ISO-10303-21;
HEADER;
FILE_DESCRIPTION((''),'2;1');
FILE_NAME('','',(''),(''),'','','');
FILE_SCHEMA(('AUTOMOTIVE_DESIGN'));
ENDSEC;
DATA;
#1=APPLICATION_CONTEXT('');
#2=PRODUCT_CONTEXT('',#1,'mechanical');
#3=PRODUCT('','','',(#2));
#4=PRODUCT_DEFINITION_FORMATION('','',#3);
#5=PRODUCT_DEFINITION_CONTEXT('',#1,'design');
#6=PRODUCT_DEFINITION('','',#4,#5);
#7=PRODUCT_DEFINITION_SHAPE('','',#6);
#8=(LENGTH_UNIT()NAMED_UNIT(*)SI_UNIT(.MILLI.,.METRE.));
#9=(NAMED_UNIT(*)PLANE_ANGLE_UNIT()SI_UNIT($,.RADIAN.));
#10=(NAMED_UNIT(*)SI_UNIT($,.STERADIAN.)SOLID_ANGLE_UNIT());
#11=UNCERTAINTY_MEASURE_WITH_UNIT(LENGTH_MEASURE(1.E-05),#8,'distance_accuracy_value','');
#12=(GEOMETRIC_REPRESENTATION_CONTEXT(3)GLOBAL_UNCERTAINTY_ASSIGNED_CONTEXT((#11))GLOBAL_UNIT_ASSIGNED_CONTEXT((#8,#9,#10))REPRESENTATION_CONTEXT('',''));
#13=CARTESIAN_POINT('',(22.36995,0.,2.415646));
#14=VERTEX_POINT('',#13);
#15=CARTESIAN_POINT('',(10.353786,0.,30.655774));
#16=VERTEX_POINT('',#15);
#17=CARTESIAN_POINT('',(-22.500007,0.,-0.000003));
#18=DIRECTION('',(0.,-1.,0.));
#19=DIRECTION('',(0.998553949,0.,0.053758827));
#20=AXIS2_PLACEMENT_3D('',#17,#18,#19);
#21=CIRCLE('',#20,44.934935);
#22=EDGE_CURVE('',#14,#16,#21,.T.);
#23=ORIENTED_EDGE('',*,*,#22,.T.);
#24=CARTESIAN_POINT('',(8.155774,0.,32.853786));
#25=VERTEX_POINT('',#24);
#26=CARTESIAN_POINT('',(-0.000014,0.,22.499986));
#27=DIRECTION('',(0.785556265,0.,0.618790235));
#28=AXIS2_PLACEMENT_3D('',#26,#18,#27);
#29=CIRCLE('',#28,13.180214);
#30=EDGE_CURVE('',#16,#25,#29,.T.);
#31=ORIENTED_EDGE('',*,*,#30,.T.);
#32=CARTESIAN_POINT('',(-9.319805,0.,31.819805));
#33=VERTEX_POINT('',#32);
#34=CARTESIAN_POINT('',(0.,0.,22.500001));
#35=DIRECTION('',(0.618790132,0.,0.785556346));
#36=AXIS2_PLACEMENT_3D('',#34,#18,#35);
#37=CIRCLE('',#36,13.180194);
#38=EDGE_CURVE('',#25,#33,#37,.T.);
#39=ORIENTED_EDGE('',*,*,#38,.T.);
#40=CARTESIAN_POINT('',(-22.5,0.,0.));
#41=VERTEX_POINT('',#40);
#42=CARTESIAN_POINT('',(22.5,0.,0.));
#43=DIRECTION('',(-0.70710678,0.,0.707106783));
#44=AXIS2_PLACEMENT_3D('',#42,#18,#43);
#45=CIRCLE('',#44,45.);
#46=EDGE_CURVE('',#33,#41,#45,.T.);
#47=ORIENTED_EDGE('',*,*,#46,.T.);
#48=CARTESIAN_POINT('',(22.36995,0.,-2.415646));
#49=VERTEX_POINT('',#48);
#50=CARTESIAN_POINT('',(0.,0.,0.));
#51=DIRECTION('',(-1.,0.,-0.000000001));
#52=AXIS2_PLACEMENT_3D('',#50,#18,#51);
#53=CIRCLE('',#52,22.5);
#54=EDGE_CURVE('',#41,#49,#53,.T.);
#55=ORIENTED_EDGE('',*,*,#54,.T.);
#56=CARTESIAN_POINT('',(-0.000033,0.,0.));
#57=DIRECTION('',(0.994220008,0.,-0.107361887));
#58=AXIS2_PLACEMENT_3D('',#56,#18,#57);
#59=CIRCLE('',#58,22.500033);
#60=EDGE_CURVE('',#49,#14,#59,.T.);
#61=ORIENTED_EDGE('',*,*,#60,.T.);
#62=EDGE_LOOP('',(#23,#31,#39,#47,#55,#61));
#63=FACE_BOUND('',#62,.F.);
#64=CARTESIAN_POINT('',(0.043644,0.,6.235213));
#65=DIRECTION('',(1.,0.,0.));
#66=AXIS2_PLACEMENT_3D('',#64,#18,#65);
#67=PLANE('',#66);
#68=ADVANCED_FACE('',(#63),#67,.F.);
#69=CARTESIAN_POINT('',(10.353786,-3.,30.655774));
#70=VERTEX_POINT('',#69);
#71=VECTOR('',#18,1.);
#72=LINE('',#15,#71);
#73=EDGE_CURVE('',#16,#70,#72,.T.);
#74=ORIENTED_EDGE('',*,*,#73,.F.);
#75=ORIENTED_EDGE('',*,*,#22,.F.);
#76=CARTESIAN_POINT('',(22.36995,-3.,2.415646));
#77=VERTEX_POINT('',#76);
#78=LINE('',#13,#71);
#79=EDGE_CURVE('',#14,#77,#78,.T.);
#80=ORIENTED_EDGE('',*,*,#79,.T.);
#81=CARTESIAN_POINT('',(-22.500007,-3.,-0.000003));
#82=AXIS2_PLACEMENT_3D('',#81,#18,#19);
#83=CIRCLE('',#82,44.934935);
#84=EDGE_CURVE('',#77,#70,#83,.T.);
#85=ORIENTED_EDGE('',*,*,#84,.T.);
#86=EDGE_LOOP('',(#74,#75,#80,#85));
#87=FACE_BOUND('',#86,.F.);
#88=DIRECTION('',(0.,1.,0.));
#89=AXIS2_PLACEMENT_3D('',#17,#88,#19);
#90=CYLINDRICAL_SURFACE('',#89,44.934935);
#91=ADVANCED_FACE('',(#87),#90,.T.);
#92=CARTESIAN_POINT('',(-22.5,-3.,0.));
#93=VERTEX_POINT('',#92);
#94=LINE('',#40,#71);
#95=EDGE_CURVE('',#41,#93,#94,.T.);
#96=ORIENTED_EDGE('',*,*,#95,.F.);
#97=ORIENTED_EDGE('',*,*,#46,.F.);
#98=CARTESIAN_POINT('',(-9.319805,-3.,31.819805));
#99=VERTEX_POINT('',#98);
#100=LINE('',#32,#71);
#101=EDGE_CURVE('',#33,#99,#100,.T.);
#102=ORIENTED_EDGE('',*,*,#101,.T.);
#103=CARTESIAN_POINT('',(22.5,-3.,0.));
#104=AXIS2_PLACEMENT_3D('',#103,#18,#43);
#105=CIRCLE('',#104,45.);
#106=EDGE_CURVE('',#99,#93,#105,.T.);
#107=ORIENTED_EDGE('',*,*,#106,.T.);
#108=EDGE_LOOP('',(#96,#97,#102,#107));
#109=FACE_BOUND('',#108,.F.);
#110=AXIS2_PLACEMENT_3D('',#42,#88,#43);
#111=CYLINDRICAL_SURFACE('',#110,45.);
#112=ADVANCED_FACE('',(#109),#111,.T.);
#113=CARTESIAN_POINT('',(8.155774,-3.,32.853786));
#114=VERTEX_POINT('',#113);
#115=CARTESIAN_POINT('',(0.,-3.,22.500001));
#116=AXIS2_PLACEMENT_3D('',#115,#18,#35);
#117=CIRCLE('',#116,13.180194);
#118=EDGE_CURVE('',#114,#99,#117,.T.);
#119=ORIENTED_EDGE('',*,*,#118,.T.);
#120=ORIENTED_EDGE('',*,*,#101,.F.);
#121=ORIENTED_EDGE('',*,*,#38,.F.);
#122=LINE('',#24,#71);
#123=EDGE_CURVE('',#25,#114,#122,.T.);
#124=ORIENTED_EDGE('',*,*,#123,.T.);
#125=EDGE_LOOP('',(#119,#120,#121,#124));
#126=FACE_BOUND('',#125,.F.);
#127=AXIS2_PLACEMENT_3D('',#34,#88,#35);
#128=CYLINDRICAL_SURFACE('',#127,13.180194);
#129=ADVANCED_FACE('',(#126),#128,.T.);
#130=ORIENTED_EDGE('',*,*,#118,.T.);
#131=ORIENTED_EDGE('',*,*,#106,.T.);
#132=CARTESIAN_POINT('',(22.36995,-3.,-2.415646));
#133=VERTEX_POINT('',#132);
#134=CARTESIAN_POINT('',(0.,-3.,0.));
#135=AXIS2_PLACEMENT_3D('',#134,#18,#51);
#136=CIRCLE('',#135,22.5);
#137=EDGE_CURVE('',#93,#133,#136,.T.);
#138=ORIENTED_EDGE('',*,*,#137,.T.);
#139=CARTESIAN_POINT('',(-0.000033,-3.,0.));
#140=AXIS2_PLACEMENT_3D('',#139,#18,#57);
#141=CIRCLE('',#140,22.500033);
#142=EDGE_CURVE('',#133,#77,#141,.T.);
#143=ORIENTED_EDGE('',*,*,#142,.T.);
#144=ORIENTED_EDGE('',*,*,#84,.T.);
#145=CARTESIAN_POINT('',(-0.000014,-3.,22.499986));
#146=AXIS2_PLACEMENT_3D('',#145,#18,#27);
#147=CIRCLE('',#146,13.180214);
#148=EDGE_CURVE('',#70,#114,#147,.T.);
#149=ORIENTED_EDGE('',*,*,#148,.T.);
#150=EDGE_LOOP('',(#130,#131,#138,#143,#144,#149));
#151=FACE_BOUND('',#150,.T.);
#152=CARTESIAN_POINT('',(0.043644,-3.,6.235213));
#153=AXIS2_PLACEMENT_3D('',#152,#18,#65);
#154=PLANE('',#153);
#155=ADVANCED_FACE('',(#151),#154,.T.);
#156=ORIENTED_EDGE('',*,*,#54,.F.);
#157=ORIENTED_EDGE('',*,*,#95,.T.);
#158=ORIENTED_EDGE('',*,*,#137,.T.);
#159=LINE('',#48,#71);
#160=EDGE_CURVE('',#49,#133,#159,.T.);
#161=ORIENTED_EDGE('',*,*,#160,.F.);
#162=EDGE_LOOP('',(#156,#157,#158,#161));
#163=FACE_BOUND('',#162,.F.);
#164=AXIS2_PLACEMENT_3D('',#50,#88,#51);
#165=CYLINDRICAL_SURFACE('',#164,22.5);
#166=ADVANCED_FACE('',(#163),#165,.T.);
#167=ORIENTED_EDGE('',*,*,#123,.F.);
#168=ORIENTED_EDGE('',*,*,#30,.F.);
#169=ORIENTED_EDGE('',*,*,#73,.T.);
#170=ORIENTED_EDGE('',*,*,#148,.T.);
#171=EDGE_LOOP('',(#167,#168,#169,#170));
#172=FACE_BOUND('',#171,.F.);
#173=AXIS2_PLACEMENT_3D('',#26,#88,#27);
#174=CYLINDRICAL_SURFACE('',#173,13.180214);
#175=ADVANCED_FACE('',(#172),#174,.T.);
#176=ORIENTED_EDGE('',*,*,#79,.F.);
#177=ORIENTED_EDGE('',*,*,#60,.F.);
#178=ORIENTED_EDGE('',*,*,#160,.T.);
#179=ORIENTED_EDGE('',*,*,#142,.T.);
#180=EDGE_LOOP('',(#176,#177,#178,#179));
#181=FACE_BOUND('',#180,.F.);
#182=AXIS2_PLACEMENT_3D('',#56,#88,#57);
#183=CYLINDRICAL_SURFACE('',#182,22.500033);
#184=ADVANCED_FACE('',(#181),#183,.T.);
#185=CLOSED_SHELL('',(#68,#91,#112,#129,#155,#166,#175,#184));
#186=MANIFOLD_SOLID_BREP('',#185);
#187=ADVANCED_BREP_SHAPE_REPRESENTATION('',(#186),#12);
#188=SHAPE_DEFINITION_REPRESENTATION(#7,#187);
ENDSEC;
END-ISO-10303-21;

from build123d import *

# Parameters (mm, degrees)
F1_DEPTH = 3


with BuildPart() as f1:
    # F0 (on Front) → F1 (new body)
    with BuildSketch(Plane.XZ):
        with BuildLine():
            ThreePointArc((-9.319805, 31.819805), (-19.074579, 17.220754), (-22.5, 0))
            ThreePointArc((-22.5, 0), (-1.209572, -22.467464), (22.36995, -2.415646))
            ThreePointArc((22.36995, -2.415646), (22.434928, 0), (22.36995, 2.415646))
            ThreePointArc((22.36995, 2.415646), (18.847563, 17.593372), (10.353786, 30.655774))
            ThreePointArc((10.353786, 30.655774), (9.273792, 31.773792), (8.155774, 32.853786))
            ThreePointArc((8.155774, 32.853786), (-0.778474, 35.657185), (-9.319805, 31.819805))
        make_face()
        with BuildLine():
            ThreePointArc((22.36995, 2.415646), (22.434928, 0), (22.36995, -2.415646))
            ThreePointArc((22.36995, -2.415646), (22.5, 0), (22.36995, 2.415646))
        make_face()
        with BuildLine():
            ThreePointArc((10.353786, 30.655774), (9.319805, 31.819805), (8.155774, 32.853786))
            ThreePointArc((8.155774, 32.853786), (9.273792, 31.773792), (10.353786, 30.655774))
        make_face()
    extrude(amount=F1_DEPTH)


solid = f1.part
